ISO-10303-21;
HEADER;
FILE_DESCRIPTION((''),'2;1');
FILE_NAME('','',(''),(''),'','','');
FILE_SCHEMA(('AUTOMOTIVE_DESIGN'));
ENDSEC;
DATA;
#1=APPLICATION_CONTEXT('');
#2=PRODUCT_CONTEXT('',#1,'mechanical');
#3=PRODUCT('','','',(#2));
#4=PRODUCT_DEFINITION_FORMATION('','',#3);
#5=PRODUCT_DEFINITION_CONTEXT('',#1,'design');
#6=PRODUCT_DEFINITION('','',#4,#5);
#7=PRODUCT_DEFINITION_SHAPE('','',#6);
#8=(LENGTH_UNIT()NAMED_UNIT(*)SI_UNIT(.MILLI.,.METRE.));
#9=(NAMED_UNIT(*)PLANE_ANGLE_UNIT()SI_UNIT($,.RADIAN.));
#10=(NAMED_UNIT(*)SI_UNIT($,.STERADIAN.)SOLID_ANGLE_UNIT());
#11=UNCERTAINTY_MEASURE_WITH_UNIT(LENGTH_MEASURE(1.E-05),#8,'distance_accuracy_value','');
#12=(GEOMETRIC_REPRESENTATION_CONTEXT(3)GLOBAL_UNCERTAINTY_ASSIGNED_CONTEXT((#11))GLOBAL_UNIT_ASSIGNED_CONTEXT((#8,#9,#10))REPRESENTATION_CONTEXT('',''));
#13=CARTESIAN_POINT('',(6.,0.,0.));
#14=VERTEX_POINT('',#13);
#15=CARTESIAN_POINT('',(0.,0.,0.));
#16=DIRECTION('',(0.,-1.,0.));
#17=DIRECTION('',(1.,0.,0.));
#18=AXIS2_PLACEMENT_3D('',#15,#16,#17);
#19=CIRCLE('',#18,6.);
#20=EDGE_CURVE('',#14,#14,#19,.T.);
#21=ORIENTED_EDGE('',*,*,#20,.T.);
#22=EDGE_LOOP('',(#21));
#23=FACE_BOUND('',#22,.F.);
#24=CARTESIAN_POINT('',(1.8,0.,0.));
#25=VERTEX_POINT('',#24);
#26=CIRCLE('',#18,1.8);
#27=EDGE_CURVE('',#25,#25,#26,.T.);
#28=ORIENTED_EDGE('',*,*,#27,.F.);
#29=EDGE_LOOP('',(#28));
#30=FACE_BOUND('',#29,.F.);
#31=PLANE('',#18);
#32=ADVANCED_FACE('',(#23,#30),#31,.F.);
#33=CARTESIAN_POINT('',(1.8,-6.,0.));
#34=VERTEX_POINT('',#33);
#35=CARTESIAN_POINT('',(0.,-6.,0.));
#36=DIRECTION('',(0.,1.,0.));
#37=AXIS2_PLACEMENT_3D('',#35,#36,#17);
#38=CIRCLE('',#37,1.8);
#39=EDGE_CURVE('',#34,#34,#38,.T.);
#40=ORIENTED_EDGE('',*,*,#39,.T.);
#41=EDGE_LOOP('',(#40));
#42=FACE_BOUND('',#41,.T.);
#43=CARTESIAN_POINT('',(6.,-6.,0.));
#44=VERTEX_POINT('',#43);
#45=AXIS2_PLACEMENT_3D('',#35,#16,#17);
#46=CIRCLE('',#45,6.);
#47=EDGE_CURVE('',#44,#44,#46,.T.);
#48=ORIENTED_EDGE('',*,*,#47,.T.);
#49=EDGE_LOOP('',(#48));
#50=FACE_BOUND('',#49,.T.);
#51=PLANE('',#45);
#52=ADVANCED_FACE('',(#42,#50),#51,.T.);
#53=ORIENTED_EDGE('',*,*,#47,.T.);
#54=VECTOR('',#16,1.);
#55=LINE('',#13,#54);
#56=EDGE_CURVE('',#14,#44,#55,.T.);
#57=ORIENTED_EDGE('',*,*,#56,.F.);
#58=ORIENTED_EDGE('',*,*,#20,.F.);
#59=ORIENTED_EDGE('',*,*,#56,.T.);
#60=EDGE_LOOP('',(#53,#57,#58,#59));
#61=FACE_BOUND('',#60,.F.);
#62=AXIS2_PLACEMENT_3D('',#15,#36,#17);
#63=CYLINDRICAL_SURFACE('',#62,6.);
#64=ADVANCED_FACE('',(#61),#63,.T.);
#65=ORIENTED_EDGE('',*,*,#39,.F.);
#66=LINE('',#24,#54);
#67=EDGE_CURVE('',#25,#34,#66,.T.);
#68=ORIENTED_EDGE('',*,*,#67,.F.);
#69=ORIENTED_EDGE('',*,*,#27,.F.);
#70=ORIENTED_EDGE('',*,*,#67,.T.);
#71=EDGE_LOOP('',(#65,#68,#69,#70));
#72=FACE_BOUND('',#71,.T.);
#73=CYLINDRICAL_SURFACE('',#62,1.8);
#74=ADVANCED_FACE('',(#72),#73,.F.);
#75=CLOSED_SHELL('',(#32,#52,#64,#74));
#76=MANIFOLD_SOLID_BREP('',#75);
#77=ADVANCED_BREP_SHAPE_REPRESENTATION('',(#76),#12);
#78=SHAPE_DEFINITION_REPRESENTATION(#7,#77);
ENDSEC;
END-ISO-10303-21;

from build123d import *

# Parameters (mm, degrees)
CYLINDER011030_R     = 1.8
CYLINDER011030_DEPTH = 20
CYLINDER011031_R     = 6
CYLINDER011031_DEPTH = 6


with BuildPart() as belt_attach_bolt_hole:
    # Cylinder011030 → Cylinder011030 (new body)
    with BuildSketch(Plane.XZ):
        Circle(CYLINDER011030_R)
    extrude(amount=CYLINDER011030_DEPTH)


with BuildPart() as belt_horizontal_attach_washer_cut:
    # Cylinder011031 → Cylinder011031 (new body)
    with BuildSketch(Plane.XZ):
        Circle(CYLINDER011031_R)
    extrude(amount=CYLINDER011031_DEPTH)

    # Cut023015009021: cut belt attach bolt hole
    add(belt_attach_bolt_hole.part, mode=Mode.SUBTRACT)


solid = belt_horizontal_attach_washer_cut.part
